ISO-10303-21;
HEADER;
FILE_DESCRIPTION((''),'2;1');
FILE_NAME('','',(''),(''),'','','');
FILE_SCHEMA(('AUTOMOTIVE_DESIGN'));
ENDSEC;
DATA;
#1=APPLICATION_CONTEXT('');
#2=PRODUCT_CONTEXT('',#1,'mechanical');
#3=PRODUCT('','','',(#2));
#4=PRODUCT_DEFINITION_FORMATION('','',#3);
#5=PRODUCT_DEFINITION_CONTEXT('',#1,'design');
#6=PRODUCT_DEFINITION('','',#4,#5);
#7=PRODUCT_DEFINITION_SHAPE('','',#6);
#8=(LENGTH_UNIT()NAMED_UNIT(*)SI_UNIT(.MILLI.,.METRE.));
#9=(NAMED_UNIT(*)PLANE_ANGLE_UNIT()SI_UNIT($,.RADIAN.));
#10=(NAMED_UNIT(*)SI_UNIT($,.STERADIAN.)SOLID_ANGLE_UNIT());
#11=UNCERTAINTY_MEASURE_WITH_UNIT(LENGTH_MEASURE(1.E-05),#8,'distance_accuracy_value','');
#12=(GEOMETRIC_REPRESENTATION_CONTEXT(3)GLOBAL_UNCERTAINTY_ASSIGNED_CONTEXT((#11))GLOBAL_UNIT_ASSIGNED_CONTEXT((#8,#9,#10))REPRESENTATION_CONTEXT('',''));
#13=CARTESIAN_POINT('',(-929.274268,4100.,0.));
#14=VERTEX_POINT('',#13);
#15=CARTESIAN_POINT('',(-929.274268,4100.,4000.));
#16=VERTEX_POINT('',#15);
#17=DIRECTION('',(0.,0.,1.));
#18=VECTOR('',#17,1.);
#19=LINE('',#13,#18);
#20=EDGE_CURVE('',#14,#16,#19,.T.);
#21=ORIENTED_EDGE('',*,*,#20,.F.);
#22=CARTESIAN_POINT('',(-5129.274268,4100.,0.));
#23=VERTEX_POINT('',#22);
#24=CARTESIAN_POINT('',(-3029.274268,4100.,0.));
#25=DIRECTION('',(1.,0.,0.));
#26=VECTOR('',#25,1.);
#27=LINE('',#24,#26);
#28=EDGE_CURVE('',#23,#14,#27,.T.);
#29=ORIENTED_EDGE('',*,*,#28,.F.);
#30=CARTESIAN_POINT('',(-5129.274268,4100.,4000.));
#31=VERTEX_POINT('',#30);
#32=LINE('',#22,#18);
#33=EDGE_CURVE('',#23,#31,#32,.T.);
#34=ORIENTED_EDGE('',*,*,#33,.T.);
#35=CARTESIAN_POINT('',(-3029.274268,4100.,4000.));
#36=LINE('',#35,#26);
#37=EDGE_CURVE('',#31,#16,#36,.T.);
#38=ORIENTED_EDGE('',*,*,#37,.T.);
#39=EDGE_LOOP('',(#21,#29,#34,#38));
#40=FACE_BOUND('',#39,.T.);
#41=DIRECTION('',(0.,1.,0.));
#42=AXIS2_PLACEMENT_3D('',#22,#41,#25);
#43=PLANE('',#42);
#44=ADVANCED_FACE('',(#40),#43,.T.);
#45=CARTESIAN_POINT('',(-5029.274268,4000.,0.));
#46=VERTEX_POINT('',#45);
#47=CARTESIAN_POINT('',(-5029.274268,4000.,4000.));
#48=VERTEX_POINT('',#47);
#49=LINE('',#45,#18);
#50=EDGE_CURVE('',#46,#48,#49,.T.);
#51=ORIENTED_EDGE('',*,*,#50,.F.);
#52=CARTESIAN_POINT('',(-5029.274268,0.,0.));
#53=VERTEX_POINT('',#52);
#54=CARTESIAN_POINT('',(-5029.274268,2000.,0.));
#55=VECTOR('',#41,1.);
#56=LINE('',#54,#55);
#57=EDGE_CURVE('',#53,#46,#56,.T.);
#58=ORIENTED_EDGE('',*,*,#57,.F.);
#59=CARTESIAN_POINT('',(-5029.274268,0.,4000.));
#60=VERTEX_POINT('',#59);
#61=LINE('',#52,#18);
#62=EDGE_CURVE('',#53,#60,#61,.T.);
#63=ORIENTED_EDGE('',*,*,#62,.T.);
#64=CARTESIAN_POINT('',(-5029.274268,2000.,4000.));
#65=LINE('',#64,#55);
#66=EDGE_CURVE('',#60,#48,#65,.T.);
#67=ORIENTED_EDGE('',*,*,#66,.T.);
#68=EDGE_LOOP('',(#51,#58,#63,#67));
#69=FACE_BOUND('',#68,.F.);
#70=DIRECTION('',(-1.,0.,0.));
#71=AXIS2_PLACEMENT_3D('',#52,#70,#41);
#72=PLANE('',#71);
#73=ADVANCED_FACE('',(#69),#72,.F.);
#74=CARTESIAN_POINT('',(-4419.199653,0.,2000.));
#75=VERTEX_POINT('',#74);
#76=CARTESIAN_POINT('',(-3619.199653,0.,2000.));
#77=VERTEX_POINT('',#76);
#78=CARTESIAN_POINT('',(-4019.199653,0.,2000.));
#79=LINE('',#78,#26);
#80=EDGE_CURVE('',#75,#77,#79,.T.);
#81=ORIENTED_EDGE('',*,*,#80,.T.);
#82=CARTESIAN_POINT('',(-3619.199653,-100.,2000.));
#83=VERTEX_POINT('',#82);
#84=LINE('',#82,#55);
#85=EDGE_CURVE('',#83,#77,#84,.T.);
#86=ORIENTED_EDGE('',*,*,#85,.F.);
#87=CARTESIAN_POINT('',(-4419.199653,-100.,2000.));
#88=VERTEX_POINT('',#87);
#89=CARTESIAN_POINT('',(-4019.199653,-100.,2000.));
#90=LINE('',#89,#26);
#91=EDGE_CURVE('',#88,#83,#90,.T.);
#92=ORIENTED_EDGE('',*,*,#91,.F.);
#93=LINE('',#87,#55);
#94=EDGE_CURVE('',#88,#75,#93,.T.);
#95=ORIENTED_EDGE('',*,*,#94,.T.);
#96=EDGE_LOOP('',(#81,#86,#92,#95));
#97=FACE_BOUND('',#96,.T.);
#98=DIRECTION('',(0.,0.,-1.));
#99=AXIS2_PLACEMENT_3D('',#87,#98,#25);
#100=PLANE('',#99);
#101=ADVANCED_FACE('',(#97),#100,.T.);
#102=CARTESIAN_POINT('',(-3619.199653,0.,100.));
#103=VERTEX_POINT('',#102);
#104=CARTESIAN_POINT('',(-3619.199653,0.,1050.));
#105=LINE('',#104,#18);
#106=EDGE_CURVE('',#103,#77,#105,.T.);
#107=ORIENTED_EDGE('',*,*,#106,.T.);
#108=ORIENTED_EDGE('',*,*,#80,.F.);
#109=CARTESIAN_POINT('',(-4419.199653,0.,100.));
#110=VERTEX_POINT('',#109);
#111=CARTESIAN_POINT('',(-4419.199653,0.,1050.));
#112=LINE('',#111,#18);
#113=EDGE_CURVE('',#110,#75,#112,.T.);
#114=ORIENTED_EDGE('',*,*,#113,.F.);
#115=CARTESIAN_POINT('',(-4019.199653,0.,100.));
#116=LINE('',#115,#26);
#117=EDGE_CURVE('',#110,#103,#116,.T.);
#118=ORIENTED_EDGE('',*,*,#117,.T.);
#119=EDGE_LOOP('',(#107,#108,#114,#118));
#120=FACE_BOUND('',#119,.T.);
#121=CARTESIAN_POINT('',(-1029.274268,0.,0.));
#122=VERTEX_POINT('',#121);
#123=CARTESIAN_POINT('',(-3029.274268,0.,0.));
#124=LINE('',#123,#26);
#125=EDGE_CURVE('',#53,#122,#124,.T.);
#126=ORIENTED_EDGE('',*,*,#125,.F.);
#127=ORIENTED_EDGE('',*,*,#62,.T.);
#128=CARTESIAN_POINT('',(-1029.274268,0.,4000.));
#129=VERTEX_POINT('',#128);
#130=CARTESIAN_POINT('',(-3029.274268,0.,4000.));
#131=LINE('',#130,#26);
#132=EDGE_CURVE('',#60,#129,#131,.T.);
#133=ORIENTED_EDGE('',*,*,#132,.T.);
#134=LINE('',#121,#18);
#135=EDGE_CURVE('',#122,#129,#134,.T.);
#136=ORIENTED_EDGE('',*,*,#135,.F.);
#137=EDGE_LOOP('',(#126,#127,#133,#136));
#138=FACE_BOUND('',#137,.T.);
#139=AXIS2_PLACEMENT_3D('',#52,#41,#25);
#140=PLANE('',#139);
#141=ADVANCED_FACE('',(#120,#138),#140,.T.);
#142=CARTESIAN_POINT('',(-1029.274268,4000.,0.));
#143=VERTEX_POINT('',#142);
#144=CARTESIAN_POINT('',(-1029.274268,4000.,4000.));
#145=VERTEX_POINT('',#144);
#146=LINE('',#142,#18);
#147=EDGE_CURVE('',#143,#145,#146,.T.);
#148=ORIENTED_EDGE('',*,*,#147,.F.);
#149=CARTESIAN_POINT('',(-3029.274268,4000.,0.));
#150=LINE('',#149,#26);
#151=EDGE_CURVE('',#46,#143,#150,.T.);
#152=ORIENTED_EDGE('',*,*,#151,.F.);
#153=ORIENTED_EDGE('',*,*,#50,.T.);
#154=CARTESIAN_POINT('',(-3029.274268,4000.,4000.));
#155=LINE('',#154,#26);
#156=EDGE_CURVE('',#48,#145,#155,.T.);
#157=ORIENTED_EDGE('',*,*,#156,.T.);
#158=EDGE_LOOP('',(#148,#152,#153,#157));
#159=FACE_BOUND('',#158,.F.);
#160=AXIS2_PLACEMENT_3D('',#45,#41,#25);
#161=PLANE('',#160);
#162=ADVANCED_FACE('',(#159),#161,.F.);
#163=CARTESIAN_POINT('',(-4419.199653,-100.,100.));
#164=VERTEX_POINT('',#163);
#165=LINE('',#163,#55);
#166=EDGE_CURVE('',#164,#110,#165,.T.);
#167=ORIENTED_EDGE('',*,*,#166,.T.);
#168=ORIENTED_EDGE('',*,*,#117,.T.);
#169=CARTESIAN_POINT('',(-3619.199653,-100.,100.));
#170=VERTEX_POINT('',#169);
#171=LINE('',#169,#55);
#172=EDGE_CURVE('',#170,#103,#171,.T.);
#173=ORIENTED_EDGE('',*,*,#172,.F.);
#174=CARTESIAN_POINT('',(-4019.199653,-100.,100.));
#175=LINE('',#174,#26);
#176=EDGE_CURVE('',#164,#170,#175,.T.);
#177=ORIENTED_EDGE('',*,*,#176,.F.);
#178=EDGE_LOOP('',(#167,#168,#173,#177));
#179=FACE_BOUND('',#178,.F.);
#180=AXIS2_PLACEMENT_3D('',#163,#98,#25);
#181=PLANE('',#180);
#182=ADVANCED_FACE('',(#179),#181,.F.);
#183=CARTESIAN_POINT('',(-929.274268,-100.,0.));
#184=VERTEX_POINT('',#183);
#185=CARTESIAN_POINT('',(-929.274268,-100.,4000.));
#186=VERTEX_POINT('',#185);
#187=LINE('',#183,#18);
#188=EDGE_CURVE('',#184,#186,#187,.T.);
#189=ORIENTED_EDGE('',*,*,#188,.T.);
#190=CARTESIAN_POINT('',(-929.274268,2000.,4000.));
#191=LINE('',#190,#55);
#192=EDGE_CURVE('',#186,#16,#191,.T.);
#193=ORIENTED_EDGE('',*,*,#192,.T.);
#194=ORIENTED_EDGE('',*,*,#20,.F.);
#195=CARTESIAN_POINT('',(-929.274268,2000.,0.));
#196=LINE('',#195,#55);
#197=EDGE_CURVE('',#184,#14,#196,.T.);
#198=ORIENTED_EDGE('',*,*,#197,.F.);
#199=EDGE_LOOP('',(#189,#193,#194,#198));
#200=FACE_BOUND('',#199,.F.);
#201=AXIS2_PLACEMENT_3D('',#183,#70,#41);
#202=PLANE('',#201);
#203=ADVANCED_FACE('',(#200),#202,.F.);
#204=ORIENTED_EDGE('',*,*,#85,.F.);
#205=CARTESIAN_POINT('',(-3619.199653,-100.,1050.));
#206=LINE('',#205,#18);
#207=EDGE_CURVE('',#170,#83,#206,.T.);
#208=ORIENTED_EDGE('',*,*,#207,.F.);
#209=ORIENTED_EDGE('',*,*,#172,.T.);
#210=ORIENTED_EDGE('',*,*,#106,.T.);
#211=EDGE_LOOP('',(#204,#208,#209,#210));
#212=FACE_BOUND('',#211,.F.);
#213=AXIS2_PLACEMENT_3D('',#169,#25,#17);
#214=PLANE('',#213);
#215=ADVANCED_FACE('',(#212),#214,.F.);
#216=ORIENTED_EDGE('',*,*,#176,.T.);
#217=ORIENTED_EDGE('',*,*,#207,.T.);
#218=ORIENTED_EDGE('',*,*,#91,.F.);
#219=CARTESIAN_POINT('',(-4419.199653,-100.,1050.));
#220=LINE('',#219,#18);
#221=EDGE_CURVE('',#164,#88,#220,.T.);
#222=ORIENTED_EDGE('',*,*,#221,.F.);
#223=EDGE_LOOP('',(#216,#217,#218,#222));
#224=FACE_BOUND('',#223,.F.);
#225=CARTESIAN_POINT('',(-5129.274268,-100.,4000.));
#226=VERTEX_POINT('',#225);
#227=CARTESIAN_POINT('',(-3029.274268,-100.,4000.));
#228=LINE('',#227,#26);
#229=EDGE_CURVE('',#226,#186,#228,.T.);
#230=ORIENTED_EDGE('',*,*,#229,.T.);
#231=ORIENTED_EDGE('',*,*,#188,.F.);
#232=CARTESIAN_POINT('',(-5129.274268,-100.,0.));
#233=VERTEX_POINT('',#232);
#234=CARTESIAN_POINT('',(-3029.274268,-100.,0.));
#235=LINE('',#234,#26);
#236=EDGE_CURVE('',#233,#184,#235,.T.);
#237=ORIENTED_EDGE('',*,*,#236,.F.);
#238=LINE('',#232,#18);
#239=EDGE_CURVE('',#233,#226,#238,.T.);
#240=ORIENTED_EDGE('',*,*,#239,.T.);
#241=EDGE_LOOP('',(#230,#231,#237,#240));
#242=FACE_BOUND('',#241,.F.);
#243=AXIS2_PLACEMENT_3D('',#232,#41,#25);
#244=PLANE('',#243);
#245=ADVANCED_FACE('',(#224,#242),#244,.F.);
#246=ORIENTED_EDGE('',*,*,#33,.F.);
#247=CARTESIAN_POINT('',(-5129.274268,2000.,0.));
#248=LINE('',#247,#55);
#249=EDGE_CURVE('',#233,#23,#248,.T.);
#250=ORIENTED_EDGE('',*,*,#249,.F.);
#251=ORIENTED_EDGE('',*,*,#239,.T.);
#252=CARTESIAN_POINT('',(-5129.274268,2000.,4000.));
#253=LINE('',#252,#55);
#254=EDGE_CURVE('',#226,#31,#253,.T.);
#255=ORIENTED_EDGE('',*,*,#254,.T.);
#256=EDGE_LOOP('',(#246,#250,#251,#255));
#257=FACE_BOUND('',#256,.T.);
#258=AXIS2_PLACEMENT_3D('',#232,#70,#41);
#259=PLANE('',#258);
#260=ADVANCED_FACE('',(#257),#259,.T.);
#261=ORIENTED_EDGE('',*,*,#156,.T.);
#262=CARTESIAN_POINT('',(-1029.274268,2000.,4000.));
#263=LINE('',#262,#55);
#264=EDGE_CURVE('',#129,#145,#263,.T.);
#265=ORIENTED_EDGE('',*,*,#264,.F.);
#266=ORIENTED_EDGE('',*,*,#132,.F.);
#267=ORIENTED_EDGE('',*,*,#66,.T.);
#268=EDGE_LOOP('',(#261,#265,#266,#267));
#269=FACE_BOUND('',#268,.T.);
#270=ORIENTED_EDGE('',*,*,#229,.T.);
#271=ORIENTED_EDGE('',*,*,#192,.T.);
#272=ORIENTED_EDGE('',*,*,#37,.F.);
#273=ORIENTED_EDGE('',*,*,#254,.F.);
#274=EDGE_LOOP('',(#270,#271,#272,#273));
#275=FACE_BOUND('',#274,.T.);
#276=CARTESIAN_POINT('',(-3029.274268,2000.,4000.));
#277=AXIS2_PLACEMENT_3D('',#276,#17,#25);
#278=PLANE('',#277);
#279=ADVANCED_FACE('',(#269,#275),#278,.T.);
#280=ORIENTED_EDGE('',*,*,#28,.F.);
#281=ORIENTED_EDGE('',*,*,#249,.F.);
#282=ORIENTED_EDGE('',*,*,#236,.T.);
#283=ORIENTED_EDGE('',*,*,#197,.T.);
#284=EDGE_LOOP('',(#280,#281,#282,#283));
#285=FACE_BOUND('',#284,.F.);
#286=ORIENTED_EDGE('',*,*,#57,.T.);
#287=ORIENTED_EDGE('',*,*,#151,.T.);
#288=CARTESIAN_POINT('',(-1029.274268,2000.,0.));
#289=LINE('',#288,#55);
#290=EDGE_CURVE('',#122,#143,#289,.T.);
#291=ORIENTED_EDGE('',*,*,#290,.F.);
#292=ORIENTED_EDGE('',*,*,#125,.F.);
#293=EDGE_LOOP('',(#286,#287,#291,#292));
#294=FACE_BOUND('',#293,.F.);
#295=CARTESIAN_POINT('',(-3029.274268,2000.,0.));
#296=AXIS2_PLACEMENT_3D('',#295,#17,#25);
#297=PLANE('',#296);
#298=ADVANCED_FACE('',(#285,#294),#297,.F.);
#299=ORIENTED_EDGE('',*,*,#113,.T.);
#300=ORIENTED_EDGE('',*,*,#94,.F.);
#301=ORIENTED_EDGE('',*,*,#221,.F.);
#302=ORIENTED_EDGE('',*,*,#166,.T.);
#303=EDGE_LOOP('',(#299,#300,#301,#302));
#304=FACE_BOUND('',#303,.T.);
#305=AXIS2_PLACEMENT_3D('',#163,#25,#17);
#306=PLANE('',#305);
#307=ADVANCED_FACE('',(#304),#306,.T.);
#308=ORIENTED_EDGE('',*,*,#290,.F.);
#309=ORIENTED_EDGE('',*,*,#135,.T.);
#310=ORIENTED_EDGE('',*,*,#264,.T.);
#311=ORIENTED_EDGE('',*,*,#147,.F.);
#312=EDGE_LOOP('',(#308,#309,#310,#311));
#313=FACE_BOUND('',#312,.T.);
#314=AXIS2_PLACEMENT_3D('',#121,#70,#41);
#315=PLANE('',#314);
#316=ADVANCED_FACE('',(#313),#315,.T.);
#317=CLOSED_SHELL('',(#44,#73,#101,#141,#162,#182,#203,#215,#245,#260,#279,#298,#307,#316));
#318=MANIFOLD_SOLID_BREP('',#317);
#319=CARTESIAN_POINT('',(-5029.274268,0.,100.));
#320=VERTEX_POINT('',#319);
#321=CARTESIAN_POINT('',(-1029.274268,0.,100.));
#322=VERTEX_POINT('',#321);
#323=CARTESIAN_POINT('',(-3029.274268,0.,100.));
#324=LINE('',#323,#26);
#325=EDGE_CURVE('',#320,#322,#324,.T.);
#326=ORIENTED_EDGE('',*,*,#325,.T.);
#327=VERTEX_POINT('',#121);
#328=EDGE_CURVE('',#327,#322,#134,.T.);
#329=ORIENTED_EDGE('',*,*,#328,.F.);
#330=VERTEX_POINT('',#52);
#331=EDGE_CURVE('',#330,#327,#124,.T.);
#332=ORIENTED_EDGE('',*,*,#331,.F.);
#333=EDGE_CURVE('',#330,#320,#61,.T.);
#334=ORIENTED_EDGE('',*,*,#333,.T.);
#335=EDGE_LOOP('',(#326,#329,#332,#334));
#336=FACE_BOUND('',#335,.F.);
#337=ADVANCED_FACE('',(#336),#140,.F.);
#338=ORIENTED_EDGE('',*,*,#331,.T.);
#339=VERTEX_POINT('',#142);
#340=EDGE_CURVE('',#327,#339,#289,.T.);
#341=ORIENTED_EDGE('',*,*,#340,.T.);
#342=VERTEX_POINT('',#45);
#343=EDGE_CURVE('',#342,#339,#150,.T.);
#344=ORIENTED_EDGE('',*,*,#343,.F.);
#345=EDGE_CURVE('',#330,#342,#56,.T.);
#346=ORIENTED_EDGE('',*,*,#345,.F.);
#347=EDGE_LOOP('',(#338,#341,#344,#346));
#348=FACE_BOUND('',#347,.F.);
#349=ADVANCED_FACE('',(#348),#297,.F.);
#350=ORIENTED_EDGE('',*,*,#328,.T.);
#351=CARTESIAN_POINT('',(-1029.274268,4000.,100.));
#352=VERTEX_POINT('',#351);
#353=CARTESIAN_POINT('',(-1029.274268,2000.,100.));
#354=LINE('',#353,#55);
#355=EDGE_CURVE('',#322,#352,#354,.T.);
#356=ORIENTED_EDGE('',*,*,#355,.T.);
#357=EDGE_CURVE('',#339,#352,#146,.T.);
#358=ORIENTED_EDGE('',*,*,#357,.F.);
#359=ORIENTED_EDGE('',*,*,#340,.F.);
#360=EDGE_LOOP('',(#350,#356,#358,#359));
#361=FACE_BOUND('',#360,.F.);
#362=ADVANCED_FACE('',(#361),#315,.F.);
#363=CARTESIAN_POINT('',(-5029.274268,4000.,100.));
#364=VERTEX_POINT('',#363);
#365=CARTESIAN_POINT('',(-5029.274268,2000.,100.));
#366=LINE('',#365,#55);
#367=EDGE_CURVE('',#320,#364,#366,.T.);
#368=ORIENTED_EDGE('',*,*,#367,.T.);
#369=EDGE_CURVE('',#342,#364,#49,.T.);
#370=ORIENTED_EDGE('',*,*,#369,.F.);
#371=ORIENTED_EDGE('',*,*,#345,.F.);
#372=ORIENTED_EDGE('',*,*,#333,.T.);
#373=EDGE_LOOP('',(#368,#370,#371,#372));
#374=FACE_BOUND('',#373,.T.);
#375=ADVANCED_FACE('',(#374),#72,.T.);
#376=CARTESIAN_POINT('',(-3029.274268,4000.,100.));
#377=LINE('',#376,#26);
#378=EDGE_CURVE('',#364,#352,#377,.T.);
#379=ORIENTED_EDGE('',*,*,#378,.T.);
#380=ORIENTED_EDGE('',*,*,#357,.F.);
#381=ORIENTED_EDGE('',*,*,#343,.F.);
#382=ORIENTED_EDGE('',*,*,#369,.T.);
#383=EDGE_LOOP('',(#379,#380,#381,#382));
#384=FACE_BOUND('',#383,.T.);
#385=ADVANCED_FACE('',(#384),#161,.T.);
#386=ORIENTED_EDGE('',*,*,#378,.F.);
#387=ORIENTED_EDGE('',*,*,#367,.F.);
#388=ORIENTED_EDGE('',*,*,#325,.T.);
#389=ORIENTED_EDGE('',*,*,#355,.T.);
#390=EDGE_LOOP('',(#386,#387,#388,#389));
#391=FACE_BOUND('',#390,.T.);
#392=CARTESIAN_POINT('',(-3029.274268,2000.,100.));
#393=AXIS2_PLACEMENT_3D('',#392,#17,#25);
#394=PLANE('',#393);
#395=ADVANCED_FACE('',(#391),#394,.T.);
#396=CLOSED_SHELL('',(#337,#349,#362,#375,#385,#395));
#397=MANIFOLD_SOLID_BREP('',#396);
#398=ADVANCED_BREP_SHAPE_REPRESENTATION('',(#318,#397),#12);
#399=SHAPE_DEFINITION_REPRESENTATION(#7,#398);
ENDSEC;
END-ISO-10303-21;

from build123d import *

# Parameters (mm, degrees)
F0_W     = 4200
F0_H     = 4200
F0_W_2   = 4000
F0_H_2   = 4000
F1_DEPTH = 4000
F2_DEPTH = 100
F3_W     = 800
F3_H     = 1900
F4_DEPTH = 100


with BuildPart() as f1:
    # F0 (on Top) → F1 (new body)
    with BuildSketch(Plane.XY):
        with Locations((-3029.274268, 2000)):
            Rectangle(F0_W, F0_H)
        with Locations((-3029.274268, 2000)):
            Rectangle(F0_W_2, F0_H_2, mode=Mode.SUBTRACT)
    extrude(amount=F1_DEPTH)

    # F3 (on face) → F4 (cut)
    with BuildSketch(Plane.XZ.offset(100)):
        with Locations((-4019.199653, 1050)):
            Rectangle(F3_W, F3_H)
    extrude(amount=-F4_DEPTH, mode=Mode.SUBTRACT)


with BuildPart() as f2:
    # F0 (on Top) → F2 (new body)
    with BuildSketch(Plane.XY):
        with Locations((-3029.274268, 2000)):
            Rectangle(F0_W_2, F0_H_2)
    extrude(amount=F2_DEPTH)


solid = Compound([f1.part, f2.part])
